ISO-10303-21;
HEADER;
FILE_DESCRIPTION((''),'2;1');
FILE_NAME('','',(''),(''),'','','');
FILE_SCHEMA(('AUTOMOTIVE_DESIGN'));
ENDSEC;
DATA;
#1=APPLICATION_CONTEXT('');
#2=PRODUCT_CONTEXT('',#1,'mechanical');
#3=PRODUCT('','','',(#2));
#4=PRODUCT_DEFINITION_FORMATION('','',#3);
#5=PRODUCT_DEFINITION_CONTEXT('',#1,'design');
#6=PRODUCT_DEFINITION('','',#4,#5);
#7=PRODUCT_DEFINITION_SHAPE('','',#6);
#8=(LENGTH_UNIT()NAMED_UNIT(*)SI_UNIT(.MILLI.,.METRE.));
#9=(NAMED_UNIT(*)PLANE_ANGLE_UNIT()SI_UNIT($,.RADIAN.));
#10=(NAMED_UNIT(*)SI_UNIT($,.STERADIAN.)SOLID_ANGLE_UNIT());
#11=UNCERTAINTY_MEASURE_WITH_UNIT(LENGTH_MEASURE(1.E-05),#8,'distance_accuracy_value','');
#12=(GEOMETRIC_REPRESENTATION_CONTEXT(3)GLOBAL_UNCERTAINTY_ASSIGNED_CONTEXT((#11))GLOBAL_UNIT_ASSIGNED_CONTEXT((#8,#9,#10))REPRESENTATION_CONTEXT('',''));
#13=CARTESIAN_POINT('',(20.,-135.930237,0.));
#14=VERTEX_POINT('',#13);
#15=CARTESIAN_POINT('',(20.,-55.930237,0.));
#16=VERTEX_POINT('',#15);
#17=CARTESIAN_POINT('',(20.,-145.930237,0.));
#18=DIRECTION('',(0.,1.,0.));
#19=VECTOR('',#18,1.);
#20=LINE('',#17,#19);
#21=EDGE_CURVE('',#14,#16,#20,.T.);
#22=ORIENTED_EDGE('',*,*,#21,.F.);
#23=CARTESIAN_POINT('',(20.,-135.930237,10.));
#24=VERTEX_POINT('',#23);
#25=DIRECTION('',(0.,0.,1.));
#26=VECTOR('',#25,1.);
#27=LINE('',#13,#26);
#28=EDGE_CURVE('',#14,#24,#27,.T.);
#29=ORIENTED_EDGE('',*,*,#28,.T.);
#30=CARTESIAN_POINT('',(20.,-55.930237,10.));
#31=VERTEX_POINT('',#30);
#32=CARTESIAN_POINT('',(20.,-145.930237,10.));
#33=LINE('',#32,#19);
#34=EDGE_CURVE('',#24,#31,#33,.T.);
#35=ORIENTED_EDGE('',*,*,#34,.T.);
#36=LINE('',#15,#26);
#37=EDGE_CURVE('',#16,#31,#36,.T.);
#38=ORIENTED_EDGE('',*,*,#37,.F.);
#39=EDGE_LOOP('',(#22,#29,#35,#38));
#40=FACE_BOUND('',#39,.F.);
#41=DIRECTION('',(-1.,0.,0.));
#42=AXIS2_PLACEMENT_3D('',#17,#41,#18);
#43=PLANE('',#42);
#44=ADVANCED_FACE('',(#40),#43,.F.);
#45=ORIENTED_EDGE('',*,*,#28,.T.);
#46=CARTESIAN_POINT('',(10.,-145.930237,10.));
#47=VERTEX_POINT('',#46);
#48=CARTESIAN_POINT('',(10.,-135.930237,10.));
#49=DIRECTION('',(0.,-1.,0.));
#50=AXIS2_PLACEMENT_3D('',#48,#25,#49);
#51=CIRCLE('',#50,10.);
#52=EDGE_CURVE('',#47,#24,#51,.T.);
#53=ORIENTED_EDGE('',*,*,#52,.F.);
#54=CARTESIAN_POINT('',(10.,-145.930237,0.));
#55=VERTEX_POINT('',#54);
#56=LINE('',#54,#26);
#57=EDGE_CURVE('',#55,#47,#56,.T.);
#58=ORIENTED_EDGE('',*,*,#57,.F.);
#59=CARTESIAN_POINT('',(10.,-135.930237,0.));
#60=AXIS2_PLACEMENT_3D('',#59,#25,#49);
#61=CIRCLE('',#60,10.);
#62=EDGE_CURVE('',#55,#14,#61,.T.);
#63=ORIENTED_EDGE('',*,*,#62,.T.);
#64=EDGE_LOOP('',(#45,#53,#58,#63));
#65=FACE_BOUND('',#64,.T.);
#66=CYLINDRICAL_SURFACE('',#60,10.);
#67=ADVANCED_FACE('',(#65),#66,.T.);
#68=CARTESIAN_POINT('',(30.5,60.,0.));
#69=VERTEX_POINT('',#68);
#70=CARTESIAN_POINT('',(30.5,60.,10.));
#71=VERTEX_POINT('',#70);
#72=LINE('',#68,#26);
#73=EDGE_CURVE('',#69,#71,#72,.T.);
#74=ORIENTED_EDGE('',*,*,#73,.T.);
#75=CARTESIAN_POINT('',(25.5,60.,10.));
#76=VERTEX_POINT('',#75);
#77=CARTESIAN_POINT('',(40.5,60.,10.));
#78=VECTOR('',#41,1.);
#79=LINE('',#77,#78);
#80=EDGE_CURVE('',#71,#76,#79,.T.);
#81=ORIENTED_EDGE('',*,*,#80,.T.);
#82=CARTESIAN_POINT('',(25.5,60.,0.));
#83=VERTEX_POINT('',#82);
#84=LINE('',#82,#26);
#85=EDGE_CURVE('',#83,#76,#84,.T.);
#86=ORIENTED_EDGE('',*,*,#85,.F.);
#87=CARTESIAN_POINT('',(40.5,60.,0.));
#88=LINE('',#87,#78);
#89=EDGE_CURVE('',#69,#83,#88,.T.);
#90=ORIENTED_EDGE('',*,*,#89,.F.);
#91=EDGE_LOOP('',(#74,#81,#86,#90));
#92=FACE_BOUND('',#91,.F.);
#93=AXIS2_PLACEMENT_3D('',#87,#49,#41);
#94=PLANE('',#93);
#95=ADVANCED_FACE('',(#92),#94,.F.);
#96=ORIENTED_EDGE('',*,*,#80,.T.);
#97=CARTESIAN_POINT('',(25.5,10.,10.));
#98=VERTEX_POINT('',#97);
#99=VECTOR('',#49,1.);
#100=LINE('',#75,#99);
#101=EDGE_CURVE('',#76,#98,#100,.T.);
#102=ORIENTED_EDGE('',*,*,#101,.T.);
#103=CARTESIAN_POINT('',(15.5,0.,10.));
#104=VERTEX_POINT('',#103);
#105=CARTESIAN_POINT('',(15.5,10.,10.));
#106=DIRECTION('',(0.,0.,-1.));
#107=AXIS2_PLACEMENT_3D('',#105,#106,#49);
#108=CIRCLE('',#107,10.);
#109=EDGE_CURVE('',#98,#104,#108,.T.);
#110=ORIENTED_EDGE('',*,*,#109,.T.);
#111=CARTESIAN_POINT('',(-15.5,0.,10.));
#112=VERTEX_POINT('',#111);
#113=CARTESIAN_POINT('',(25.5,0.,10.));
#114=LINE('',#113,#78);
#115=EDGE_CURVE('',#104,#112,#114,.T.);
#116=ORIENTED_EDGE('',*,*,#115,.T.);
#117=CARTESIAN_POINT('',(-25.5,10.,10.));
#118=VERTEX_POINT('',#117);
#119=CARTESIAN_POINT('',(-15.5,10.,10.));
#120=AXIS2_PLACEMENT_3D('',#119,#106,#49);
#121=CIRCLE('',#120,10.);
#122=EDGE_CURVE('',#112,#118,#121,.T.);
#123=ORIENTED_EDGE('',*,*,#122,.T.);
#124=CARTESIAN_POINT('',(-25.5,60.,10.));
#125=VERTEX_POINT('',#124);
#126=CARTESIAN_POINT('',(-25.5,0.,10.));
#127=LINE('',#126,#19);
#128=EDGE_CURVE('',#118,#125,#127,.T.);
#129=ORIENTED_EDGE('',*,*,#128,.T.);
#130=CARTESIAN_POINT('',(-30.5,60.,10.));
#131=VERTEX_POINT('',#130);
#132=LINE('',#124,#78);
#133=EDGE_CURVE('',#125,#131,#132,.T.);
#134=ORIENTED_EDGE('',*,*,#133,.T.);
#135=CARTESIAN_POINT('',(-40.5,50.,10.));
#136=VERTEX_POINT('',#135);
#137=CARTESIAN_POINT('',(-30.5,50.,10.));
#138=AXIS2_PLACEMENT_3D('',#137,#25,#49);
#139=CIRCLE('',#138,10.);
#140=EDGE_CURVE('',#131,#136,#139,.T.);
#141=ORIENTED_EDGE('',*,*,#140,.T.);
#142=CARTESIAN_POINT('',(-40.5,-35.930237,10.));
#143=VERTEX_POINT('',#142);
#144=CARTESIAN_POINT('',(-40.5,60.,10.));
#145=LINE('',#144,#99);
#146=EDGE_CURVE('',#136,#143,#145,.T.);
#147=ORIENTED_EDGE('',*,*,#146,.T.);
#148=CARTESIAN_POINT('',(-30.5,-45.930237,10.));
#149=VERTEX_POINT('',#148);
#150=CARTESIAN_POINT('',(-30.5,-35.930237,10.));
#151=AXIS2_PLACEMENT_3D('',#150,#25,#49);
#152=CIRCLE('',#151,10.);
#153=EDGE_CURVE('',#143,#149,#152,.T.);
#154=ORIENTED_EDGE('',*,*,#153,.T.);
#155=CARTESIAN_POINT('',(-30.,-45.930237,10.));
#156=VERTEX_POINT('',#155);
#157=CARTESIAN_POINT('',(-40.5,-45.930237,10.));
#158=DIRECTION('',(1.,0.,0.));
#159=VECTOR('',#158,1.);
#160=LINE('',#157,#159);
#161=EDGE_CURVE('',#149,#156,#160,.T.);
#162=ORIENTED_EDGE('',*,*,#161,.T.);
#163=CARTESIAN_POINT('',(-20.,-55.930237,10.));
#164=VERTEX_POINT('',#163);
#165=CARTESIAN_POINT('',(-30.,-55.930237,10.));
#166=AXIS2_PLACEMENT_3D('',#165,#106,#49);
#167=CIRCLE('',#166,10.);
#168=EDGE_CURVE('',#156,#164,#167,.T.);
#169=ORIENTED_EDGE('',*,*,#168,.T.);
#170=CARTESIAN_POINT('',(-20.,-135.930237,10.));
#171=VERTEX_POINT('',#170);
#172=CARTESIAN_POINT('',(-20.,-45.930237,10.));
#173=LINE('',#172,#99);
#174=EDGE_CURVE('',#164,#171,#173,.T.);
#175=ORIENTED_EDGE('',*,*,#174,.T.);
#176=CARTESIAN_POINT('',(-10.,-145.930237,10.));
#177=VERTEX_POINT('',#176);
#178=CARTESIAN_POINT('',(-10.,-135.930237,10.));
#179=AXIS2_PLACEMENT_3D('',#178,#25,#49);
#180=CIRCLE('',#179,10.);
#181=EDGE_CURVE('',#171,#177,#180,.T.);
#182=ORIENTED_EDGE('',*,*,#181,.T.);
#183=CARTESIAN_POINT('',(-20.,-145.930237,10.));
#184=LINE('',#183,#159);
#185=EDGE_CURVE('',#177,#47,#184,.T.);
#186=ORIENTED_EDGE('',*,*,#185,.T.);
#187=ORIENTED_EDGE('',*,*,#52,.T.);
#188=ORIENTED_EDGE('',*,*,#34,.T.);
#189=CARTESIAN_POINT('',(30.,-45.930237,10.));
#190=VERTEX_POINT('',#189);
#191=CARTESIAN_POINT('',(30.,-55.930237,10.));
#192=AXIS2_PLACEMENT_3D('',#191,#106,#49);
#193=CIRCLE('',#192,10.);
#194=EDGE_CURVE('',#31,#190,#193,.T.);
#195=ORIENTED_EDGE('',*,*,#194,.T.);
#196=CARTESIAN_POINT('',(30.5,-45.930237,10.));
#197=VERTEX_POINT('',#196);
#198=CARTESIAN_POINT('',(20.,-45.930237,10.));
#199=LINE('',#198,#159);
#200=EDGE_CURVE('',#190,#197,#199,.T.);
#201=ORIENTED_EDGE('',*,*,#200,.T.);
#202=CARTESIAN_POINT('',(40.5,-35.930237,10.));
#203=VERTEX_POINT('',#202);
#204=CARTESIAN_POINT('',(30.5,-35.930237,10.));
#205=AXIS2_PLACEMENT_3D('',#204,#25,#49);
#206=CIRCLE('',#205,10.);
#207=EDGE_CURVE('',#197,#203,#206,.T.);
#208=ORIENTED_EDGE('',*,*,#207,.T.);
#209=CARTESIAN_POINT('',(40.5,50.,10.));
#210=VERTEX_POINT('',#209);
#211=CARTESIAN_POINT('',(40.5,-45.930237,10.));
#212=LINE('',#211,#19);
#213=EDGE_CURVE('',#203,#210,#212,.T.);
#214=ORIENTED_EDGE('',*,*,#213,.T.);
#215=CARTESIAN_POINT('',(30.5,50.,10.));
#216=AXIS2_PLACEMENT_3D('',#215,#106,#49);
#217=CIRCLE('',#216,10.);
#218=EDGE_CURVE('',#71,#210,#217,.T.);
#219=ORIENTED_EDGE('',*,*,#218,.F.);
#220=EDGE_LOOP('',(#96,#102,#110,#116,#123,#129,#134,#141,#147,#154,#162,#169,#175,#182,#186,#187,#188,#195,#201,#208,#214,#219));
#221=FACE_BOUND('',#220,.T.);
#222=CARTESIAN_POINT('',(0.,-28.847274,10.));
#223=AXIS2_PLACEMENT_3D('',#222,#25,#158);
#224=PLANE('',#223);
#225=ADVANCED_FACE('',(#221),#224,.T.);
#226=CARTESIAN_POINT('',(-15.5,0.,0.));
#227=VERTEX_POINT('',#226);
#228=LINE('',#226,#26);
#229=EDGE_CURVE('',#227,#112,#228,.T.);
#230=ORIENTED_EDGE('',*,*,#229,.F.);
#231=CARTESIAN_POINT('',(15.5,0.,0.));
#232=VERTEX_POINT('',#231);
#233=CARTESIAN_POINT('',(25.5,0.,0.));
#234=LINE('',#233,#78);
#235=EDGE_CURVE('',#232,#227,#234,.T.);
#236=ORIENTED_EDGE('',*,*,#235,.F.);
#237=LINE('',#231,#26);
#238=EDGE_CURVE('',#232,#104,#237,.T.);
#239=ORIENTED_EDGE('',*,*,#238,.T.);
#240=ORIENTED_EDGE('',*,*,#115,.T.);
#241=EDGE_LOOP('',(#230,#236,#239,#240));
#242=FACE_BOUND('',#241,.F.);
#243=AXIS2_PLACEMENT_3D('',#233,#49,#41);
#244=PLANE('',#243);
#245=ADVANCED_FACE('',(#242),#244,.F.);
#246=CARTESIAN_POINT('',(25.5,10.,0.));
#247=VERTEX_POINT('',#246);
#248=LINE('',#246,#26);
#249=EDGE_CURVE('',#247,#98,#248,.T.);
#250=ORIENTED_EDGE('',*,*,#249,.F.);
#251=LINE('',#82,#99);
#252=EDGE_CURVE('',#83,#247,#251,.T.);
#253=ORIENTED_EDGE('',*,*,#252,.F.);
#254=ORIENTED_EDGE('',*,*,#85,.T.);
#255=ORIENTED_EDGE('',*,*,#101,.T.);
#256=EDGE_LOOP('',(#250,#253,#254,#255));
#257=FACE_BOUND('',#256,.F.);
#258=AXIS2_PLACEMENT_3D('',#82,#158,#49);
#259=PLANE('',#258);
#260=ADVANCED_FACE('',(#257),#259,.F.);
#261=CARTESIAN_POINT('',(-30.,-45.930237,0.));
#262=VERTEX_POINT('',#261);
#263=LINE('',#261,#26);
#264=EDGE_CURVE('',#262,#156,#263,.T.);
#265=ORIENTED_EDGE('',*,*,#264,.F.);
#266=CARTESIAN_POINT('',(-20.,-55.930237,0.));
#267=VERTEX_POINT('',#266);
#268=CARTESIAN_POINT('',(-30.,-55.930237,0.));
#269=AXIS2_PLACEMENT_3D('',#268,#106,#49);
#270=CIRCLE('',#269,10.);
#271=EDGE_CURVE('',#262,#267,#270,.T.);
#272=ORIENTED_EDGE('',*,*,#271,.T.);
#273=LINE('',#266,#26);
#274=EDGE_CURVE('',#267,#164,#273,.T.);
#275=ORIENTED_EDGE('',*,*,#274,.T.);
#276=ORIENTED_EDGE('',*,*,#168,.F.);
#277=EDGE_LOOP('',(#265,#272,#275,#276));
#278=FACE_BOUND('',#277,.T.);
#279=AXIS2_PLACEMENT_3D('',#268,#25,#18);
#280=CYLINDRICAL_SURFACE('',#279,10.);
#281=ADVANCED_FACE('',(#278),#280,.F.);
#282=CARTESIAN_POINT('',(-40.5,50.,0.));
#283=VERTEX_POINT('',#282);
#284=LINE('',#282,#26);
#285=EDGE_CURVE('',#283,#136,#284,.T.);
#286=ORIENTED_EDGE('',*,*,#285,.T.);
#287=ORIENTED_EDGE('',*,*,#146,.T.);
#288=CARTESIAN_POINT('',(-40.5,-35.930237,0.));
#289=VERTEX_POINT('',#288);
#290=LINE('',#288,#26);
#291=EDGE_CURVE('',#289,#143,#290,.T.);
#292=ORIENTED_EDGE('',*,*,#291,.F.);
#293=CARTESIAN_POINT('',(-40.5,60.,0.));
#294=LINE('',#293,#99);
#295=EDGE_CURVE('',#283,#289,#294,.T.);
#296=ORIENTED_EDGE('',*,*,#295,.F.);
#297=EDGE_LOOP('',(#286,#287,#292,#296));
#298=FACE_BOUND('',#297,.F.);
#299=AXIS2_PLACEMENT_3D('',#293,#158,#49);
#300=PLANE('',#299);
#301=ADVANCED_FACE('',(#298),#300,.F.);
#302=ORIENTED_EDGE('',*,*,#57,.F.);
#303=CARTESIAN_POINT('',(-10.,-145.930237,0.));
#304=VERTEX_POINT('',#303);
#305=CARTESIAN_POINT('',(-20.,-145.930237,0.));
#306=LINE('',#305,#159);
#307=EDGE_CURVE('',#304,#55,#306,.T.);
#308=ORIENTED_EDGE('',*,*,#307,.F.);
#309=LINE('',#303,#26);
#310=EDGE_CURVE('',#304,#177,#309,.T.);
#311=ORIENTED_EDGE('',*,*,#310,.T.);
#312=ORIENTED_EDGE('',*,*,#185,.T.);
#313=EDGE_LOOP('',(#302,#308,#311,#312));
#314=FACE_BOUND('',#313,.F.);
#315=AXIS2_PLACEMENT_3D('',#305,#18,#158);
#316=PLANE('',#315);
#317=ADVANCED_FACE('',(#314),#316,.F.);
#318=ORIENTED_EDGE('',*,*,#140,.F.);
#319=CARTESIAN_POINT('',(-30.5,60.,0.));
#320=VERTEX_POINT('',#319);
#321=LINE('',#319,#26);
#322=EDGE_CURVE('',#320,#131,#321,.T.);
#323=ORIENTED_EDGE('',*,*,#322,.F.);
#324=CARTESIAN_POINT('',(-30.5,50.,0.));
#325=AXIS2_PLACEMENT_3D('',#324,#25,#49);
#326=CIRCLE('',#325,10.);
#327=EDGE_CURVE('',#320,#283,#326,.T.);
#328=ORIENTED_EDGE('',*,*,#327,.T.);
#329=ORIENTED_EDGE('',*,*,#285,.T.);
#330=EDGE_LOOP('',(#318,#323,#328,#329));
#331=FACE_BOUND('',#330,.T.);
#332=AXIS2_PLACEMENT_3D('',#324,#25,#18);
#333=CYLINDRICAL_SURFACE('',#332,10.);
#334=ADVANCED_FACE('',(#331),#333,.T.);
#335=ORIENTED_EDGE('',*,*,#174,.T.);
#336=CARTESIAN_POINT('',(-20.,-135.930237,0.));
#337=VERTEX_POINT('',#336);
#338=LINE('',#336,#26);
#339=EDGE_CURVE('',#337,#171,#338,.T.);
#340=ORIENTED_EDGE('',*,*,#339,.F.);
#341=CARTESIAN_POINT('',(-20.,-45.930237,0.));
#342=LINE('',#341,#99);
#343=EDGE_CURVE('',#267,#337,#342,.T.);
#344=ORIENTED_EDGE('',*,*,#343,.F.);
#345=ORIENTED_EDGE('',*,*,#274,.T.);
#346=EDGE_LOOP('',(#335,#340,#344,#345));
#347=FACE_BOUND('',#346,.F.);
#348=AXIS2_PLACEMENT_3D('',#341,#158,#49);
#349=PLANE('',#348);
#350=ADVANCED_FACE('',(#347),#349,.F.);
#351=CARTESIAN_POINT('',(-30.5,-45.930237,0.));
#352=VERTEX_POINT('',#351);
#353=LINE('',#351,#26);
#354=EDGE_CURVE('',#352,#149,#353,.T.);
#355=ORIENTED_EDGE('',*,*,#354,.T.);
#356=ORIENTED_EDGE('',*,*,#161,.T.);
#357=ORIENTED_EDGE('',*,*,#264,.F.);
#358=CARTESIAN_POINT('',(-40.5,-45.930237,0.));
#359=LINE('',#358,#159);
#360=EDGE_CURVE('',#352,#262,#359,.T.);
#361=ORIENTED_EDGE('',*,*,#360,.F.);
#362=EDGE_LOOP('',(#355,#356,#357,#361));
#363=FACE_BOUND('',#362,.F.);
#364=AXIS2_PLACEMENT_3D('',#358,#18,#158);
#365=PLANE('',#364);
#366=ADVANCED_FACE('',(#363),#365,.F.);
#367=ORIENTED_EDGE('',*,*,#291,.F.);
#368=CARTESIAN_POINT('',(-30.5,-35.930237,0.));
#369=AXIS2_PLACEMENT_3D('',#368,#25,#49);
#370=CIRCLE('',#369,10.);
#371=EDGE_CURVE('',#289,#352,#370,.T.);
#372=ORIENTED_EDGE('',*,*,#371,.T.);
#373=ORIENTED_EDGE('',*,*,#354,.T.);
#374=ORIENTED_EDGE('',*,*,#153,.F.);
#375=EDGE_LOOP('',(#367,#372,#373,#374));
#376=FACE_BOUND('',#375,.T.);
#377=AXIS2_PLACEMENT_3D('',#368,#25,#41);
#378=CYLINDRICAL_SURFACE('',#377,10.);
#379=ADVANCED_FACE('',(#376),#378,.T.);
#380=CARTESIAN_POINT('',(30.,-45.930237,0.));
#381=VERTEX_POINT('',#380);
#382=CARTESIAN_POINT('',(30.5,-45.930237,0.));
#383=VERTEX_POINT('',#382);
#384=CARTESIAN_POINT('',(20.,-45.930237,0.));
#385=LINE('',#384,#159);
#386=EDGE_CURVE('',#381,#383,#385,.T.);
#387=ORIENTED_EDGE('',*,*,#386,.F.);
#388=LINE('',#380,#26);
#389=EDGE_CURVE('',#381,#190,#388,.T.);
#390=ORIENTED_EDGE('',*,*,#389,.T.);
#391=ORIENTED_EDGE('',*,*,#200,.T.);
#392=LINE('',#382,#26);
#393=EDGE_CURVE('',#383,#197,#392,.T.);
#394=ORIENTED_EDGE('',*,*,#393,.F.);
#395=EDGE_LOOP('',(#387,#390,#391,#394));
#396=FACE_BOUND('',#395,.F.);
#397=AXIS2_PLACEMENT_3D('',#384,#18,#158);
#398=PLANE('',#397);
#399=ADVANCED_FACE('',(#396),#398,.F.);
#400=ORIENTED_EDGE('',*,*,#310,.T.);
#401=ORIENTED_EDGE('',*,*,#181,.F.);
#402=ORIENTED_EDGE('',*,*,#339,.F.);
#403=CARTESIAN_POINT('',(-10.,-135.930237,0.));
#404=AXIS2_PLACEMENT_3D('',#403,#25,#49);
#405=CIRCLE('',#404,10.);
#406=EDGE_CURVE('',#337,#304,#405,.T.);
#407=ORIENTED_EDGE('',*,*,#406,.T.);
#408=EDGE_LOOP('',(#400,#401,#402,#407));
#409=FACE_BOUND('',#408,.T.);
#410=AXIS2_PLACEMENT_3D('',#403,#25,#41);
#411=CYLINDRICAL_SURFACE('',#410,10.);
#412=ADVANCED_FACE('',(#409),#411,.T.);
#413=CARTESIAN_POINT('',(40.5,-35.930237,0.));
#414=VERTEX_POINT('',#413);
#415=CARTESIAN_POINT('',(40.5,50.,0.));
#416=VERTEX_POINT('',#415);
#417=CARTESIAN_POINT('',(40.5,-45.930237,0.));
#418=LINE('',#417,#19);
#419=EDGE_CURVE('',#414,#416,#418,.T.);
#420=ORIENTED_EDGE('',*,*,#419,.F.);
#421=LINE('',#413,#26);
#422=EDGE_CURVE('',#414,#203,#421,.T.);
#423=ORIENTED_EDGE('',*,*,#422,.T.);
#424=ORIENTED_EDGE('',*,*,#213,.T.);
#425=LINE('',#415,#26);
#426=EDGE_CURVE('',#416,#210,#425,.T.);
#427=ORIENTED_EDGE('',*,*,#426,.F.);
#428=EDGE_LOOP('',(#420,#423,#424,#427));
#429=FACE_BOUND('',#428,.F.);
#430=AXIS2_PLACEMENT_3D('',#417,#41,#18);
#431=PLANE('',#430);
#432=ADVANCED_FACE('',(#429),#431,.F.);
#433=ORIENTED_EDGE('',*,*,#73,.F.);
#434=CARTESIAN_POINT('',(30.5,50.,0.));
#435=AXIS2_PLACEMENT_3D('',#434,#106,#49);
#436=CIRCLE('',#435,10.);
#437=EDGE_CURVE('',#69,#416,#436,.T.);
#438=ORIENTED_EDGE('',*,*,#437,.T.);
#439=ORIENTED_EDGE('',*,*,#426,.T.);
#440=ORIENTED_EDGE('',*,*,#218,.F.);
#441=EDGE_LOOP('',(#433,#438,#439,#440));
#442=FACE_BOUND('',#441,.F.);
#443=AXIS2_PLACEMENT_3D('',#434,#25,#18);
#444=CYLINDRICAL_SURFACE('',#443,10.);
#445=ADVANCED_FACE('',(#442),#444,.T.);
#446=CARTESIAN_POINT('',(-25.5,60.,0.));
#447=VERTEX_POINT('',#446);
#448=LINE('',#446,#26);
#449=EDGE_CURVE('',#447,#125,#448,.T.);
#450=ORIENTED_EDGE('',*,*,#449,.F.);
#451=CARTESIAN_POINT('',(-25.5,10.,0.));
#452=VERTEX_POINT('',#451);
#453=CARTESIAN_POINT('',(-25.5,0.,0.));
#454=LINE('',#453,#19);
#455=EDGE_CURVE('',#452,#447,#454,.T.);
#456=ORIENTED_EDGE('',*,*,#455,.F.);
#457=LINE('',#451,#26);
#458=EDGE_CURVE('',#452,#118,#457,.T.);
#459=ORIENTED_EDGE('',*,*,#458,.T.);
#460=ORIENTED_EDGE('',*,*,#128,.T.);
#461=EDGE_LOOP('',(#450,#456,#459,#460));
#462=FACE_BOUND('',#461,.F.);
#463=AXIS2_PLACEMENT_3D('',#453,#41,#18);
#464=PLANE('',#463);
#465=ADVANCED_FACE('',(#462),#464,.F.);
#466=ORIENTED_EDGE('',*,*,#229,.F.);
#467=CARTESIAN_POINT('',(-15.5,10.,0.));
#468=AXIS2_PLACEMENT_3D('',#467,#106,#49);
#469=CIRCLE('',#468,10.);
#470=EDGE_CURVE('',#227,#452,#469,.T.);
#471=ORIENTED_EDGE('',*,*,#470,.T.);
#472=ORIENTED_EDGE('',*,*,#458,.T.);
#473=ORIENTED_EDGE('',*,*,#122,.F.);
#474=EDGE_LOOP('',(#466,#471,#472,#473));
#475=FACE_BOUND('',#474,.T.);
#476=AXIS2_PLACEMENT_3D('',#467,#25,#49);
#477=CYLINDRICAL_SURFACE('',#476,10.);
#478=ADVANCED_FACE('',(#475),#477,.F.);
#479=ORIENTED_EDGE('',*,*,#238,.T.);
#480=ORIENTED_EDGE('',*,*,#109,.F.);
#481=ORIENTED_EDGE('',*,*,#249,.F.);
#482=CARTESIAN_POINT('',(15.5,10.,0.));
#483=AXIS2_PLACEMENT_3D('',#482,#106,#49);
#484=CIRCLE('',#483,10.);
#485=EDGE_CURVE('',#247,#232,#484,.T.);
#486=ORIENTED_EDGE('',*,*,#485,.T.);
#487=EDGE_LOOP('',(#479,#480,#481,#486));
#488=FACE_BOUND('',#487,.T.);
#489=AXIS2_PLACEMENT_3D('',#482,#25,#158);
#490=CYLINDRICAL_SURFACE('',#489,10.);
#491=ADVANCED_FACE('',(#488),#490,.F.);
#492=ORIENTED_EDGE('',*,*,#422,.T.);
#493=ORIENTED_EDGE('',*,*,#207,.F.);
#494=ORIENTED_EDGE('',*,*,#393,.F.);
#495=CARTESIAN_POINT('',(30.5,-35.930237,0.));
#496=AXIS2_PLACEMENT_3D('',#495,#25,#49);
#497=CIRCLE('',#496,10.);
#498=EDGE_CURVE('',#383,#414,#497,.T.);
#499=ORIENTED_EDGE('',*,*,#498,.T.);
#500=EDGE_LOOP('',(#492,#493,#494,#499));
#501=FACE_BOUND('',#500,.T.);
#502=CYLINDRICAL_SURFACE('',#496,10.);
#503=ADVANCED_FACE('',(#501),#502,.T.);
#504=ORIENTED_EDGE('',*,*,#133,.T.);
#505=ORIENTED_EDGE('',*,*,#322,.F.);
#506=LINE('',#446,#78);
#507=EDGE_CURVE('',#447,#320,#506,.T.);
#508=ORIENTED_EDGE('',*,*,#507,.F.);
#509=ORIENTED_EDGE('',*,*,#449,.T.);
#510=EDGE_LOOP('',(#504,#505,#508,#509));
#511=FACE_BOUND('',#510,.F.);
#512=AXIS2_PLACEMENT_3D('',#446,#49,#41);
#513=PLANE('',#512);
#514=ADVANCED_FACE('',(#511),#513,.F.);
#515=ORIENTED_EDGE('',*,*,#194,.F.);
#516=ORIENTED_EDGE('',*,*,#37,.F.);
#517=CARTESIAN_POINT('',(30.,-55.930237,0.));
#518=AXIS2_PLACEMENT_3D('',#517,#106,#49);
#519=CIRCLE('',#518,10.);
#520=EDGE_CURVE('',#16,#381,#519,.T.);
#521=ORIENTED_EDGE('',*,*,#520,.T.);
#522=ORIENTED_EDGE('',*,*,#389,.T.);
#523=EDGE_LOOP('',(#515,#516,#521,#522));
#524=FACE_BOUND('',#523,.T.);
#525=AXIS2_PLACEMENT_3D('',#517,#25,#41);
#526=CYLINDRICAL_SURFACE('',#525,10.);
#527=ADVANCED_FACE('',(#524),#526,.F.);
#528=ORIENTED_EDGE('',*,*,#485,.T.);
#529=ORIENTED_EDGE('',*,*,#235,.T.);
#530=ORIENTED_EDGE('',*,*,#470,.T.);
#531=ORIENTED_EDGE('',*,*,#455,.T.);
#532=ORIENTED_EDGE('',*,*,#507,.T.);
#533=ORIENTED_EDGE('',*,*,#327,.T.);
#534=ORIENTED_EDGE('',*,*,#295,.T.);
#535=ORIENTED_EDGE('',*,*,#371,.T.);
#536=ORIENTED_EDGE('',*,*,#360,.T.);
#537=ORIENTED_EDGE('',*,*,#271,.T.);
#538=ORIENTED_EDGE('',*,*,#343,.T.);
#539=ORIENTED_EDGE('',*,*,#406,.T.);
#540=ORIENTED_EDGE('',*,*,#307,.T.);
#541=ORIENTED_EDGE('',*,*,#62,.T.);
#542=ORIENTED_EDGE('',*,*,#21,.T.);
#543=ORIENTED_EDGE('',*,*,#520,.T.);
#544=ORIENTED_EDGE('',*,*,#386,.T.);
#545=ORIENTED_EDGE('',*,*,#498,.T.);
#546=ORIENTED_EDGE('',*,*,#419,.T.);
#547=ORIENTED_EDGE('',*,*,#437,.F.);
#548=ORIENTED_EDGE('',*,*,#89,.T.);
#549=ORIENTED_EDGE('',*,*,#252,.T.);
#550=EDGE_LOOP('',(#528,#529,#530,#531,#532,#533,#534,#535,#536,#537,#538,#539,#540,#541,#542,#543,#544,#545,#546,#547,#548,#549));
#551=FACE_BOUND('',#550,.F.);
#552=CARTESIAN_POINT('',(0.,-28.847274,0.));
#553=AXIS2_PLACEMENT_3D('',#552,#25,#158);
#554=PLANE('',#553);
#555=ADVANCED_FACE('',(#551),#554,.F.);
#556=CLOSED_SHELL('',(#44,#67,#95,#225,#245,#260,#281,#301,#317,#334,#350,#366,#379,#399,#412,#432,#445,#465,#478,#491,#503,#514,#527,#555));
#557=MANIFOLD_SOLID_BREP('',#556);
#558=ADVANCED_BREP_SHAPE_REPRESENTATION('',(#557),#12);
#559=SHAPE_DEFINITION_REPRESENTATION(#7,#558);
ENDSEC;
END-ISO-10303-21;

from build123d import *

# Parameters (mm, degrees)
F1_DEPTH = 10
F2_R     = 10


with BuildPart() as f1:
    # F0 (on Top) → F1 (new body)
    with BuildSketch(Plane.XY):
        Polygon((40.5, 60), (25.5, 60), (25.5, 0), (0, 0), (-25.5, 0), (-25.5, 60), (-40.5, 60), (-40.5, -45.930237), (-20, -45.930237), (-20, -145.930237), (0, -145.930237), (20, -145.930237), (20, -45.930237), (40.5, -45.930237), align=None)
    extrude(amount=F1_DEPTH)

    # F2
    f2_edges = [f1.edges().sort_by_distance(p)[0] for p in [
        (20, -145.930237, 5),
        (-20, -145.930237, 5),
        (40.5, -45.930237, 5),
        (20, -45.930237, 5),
        (-40.5, -45.930237, 5),
        (-20, -45.930237, 5),
        (25.5, 0, 5),
        (-25.5, 0, 5),
        (40.5, 60, 5),
        (-40.5, 60, 5),
    ]]
    fillet(f2_edges, radius=F2_R)


solid = f1.part
